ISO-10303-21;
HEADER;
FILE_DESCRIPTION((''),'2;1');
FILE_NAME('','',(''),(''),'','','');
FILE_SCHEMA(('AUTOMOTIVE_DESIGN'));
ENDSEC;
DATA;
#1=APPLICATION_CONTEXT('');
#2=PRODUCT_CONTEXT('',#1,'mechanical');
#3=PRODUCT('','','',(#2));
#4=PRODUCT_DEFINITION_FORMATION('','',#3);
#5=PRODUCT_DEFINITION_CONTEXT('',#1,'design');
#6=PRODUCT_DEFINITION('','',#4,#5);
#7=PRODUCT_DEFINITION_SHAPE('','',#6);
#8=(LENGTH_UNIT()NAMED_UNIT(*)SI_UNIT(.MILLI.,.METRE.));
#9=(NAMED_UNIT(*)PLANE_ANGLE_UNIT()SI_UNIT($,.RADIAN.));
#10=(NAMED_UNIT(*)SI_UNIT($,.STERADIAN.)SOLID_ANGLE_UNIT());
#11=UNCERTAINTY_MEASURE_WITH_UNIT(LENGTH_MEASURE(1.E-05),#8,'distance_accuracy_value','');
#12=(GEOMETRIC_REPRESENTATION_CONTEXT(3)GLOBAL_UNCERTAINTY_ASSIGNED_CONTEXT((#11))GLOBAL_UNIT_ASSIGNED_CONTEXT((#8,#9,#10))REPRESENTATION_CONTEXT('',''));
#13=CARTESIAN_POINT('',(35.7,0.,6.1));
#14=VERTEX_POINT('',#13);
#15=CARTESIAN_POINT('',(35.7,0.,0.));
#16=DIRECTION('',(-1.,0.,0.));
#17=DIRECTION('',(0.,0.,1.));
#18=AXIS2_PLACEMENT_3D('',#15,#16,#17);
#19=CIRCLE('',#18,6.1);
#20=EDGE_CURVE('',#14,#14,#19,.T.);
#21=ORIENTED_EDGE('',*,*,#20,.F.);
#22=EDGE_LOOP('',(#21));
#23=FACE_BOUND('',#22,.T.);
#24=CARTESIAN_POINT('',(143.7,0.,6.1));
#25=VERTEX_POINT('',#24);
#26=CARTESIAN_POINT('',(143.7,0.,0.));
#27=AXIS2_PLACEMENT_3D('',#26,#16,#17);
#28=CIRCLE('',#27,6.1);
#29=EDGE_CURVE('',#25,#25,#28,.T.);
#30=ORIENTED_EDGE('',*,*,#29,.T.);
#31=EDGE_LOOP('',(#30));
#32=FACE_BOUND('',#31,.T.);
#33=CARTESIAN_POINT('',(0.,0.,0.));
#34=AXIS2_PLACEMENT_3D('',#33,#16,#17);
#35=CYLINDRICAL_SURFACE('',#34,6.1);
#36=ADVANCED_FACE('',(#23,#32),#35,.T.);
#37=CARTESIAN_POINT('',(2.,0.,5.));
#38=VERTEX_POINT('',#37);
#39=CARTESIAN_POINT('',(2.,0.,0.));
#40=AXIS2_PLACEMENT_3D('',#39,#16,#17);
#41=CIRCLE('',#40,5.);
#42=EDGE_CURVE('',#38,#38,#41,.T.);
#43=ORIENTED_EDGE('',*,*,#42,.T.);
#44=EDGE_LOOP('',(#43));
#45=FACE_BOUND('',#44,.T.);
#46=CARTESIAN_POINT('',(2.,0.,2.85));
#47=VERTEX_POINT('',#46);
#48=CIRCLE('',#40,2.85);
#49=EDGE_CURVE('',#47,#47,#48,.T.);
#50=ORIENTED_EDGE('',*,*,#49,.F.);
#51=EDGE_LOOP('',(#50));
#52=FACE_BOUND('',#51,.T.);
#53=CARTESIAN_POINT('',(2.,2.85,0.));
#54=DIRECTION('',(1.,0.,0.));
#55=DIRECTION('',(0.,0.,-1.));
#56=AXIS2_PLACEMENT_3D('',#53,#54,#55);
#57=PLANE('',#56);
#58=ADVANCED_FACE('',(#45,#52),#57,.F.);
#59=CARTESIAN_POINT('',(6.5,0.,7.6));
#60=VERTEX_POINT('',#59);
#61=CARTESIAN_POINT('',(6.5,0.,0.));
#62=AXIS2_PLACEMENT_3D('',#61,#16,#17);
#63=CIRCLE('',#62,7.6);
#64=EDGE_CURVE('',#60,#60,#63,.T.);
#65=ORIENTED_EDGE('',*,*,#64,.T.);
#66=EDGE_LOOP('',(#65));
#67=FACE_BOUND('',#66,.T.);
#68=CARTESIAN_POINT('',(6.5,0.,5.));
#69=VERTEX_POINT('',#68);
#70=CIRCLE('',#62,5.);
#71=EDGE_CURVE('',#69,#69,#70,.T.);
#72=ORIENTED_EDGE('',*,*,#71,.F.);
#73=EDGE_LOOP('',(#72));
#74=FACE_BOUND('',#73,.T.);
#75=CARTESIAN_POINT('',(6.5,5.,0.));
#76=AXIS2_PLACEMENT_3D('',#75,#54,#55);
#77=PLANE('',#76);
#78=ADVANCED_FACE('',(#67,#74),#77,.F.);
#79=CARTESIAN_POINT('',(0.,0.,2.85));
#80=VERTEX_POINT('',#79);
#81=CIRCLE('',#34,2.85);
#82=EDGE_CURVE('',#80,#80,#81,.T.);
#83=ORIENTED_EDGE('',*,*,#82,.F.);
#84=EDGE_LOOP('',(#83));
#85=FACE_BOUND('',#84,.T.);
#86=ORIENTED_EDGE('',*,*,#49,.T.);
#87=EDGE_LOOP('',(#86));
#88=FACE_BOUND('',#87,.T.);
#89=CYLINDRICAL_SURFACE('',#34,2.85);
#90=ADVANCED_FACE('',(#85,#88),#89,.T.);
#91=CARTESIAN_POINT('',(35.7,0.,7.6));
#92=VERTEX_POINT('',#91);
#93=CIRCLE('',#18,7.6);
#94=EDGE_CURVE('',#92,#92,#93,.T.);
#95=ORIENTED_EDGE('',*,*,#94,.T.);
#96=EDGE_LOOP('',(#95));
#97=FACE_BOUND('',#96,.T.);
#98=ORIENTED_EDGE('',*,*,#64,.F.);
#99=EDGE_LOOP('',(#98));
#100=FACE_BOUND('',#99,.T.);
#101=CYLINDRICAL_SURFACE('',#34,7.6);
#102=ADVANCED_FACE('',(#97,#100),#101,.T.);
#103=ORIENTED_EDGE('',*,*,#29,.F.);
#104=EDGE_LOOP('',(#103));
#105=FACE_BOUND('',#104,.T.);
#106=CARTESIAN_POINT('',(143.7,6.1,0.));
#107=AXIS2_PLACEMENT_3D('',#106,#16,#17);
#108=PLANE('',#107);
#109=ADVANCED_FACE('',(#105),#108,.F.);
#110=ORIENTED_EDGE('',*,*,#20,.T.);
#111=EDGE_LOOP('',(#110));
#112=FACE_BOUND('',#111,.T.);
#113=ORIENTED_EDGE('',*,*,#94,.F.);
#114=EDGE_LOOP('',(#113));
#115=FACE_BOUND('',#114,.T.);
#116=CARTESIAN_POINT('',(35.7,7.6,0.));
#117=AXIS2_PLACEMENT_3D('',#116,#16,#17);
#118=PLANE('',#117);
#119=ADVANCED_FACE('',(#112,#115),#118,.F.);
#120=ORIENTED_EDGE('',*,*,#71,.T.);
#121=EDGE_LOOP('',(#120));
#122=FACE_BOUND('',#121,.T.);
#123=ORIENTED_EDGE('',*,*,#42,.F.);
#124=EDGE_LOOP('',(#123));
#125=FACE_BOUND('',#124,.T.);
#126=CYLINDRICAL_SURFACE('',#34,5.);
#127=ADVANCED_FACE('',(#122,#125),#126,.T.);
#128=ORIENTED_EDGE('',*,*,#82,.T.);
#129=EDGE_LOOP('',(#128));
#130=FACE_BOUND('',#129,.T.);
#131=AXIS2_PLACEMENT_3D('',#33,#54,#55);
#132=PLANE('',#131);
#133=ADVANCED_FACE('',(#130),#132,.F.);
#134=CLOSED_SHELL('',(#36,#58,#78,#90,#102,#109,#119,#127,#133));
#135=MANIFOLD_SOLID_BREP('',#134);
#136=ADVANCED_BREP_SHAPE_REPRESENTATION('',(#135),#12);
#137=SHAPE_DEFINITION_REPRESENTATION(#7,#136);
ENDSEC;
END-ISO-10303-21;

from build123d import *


with BuildPart() as part:
    # Esquisse1 → Révolution1 (revolve)
    with BuildSketch(Plane.XY, mode=Mode.PRIVATE) as r_volution1_sk:
        Polygon((0, 0), (0, 2.85), (2, 2.85), (2, 5), (6.5, 5), (6.5, 7.6), (35.7, 7.6), (35.7, 6.1), (143.7, 6.1), (143.7, 0), align=None)
    revolve(r_volution1_sk.sketch.rotate(Axis((0, 0, 0), (1, 0, 0)), 90), axis=Axis((0, 0, 0), (1, 0, 0)))


solid = part.part
